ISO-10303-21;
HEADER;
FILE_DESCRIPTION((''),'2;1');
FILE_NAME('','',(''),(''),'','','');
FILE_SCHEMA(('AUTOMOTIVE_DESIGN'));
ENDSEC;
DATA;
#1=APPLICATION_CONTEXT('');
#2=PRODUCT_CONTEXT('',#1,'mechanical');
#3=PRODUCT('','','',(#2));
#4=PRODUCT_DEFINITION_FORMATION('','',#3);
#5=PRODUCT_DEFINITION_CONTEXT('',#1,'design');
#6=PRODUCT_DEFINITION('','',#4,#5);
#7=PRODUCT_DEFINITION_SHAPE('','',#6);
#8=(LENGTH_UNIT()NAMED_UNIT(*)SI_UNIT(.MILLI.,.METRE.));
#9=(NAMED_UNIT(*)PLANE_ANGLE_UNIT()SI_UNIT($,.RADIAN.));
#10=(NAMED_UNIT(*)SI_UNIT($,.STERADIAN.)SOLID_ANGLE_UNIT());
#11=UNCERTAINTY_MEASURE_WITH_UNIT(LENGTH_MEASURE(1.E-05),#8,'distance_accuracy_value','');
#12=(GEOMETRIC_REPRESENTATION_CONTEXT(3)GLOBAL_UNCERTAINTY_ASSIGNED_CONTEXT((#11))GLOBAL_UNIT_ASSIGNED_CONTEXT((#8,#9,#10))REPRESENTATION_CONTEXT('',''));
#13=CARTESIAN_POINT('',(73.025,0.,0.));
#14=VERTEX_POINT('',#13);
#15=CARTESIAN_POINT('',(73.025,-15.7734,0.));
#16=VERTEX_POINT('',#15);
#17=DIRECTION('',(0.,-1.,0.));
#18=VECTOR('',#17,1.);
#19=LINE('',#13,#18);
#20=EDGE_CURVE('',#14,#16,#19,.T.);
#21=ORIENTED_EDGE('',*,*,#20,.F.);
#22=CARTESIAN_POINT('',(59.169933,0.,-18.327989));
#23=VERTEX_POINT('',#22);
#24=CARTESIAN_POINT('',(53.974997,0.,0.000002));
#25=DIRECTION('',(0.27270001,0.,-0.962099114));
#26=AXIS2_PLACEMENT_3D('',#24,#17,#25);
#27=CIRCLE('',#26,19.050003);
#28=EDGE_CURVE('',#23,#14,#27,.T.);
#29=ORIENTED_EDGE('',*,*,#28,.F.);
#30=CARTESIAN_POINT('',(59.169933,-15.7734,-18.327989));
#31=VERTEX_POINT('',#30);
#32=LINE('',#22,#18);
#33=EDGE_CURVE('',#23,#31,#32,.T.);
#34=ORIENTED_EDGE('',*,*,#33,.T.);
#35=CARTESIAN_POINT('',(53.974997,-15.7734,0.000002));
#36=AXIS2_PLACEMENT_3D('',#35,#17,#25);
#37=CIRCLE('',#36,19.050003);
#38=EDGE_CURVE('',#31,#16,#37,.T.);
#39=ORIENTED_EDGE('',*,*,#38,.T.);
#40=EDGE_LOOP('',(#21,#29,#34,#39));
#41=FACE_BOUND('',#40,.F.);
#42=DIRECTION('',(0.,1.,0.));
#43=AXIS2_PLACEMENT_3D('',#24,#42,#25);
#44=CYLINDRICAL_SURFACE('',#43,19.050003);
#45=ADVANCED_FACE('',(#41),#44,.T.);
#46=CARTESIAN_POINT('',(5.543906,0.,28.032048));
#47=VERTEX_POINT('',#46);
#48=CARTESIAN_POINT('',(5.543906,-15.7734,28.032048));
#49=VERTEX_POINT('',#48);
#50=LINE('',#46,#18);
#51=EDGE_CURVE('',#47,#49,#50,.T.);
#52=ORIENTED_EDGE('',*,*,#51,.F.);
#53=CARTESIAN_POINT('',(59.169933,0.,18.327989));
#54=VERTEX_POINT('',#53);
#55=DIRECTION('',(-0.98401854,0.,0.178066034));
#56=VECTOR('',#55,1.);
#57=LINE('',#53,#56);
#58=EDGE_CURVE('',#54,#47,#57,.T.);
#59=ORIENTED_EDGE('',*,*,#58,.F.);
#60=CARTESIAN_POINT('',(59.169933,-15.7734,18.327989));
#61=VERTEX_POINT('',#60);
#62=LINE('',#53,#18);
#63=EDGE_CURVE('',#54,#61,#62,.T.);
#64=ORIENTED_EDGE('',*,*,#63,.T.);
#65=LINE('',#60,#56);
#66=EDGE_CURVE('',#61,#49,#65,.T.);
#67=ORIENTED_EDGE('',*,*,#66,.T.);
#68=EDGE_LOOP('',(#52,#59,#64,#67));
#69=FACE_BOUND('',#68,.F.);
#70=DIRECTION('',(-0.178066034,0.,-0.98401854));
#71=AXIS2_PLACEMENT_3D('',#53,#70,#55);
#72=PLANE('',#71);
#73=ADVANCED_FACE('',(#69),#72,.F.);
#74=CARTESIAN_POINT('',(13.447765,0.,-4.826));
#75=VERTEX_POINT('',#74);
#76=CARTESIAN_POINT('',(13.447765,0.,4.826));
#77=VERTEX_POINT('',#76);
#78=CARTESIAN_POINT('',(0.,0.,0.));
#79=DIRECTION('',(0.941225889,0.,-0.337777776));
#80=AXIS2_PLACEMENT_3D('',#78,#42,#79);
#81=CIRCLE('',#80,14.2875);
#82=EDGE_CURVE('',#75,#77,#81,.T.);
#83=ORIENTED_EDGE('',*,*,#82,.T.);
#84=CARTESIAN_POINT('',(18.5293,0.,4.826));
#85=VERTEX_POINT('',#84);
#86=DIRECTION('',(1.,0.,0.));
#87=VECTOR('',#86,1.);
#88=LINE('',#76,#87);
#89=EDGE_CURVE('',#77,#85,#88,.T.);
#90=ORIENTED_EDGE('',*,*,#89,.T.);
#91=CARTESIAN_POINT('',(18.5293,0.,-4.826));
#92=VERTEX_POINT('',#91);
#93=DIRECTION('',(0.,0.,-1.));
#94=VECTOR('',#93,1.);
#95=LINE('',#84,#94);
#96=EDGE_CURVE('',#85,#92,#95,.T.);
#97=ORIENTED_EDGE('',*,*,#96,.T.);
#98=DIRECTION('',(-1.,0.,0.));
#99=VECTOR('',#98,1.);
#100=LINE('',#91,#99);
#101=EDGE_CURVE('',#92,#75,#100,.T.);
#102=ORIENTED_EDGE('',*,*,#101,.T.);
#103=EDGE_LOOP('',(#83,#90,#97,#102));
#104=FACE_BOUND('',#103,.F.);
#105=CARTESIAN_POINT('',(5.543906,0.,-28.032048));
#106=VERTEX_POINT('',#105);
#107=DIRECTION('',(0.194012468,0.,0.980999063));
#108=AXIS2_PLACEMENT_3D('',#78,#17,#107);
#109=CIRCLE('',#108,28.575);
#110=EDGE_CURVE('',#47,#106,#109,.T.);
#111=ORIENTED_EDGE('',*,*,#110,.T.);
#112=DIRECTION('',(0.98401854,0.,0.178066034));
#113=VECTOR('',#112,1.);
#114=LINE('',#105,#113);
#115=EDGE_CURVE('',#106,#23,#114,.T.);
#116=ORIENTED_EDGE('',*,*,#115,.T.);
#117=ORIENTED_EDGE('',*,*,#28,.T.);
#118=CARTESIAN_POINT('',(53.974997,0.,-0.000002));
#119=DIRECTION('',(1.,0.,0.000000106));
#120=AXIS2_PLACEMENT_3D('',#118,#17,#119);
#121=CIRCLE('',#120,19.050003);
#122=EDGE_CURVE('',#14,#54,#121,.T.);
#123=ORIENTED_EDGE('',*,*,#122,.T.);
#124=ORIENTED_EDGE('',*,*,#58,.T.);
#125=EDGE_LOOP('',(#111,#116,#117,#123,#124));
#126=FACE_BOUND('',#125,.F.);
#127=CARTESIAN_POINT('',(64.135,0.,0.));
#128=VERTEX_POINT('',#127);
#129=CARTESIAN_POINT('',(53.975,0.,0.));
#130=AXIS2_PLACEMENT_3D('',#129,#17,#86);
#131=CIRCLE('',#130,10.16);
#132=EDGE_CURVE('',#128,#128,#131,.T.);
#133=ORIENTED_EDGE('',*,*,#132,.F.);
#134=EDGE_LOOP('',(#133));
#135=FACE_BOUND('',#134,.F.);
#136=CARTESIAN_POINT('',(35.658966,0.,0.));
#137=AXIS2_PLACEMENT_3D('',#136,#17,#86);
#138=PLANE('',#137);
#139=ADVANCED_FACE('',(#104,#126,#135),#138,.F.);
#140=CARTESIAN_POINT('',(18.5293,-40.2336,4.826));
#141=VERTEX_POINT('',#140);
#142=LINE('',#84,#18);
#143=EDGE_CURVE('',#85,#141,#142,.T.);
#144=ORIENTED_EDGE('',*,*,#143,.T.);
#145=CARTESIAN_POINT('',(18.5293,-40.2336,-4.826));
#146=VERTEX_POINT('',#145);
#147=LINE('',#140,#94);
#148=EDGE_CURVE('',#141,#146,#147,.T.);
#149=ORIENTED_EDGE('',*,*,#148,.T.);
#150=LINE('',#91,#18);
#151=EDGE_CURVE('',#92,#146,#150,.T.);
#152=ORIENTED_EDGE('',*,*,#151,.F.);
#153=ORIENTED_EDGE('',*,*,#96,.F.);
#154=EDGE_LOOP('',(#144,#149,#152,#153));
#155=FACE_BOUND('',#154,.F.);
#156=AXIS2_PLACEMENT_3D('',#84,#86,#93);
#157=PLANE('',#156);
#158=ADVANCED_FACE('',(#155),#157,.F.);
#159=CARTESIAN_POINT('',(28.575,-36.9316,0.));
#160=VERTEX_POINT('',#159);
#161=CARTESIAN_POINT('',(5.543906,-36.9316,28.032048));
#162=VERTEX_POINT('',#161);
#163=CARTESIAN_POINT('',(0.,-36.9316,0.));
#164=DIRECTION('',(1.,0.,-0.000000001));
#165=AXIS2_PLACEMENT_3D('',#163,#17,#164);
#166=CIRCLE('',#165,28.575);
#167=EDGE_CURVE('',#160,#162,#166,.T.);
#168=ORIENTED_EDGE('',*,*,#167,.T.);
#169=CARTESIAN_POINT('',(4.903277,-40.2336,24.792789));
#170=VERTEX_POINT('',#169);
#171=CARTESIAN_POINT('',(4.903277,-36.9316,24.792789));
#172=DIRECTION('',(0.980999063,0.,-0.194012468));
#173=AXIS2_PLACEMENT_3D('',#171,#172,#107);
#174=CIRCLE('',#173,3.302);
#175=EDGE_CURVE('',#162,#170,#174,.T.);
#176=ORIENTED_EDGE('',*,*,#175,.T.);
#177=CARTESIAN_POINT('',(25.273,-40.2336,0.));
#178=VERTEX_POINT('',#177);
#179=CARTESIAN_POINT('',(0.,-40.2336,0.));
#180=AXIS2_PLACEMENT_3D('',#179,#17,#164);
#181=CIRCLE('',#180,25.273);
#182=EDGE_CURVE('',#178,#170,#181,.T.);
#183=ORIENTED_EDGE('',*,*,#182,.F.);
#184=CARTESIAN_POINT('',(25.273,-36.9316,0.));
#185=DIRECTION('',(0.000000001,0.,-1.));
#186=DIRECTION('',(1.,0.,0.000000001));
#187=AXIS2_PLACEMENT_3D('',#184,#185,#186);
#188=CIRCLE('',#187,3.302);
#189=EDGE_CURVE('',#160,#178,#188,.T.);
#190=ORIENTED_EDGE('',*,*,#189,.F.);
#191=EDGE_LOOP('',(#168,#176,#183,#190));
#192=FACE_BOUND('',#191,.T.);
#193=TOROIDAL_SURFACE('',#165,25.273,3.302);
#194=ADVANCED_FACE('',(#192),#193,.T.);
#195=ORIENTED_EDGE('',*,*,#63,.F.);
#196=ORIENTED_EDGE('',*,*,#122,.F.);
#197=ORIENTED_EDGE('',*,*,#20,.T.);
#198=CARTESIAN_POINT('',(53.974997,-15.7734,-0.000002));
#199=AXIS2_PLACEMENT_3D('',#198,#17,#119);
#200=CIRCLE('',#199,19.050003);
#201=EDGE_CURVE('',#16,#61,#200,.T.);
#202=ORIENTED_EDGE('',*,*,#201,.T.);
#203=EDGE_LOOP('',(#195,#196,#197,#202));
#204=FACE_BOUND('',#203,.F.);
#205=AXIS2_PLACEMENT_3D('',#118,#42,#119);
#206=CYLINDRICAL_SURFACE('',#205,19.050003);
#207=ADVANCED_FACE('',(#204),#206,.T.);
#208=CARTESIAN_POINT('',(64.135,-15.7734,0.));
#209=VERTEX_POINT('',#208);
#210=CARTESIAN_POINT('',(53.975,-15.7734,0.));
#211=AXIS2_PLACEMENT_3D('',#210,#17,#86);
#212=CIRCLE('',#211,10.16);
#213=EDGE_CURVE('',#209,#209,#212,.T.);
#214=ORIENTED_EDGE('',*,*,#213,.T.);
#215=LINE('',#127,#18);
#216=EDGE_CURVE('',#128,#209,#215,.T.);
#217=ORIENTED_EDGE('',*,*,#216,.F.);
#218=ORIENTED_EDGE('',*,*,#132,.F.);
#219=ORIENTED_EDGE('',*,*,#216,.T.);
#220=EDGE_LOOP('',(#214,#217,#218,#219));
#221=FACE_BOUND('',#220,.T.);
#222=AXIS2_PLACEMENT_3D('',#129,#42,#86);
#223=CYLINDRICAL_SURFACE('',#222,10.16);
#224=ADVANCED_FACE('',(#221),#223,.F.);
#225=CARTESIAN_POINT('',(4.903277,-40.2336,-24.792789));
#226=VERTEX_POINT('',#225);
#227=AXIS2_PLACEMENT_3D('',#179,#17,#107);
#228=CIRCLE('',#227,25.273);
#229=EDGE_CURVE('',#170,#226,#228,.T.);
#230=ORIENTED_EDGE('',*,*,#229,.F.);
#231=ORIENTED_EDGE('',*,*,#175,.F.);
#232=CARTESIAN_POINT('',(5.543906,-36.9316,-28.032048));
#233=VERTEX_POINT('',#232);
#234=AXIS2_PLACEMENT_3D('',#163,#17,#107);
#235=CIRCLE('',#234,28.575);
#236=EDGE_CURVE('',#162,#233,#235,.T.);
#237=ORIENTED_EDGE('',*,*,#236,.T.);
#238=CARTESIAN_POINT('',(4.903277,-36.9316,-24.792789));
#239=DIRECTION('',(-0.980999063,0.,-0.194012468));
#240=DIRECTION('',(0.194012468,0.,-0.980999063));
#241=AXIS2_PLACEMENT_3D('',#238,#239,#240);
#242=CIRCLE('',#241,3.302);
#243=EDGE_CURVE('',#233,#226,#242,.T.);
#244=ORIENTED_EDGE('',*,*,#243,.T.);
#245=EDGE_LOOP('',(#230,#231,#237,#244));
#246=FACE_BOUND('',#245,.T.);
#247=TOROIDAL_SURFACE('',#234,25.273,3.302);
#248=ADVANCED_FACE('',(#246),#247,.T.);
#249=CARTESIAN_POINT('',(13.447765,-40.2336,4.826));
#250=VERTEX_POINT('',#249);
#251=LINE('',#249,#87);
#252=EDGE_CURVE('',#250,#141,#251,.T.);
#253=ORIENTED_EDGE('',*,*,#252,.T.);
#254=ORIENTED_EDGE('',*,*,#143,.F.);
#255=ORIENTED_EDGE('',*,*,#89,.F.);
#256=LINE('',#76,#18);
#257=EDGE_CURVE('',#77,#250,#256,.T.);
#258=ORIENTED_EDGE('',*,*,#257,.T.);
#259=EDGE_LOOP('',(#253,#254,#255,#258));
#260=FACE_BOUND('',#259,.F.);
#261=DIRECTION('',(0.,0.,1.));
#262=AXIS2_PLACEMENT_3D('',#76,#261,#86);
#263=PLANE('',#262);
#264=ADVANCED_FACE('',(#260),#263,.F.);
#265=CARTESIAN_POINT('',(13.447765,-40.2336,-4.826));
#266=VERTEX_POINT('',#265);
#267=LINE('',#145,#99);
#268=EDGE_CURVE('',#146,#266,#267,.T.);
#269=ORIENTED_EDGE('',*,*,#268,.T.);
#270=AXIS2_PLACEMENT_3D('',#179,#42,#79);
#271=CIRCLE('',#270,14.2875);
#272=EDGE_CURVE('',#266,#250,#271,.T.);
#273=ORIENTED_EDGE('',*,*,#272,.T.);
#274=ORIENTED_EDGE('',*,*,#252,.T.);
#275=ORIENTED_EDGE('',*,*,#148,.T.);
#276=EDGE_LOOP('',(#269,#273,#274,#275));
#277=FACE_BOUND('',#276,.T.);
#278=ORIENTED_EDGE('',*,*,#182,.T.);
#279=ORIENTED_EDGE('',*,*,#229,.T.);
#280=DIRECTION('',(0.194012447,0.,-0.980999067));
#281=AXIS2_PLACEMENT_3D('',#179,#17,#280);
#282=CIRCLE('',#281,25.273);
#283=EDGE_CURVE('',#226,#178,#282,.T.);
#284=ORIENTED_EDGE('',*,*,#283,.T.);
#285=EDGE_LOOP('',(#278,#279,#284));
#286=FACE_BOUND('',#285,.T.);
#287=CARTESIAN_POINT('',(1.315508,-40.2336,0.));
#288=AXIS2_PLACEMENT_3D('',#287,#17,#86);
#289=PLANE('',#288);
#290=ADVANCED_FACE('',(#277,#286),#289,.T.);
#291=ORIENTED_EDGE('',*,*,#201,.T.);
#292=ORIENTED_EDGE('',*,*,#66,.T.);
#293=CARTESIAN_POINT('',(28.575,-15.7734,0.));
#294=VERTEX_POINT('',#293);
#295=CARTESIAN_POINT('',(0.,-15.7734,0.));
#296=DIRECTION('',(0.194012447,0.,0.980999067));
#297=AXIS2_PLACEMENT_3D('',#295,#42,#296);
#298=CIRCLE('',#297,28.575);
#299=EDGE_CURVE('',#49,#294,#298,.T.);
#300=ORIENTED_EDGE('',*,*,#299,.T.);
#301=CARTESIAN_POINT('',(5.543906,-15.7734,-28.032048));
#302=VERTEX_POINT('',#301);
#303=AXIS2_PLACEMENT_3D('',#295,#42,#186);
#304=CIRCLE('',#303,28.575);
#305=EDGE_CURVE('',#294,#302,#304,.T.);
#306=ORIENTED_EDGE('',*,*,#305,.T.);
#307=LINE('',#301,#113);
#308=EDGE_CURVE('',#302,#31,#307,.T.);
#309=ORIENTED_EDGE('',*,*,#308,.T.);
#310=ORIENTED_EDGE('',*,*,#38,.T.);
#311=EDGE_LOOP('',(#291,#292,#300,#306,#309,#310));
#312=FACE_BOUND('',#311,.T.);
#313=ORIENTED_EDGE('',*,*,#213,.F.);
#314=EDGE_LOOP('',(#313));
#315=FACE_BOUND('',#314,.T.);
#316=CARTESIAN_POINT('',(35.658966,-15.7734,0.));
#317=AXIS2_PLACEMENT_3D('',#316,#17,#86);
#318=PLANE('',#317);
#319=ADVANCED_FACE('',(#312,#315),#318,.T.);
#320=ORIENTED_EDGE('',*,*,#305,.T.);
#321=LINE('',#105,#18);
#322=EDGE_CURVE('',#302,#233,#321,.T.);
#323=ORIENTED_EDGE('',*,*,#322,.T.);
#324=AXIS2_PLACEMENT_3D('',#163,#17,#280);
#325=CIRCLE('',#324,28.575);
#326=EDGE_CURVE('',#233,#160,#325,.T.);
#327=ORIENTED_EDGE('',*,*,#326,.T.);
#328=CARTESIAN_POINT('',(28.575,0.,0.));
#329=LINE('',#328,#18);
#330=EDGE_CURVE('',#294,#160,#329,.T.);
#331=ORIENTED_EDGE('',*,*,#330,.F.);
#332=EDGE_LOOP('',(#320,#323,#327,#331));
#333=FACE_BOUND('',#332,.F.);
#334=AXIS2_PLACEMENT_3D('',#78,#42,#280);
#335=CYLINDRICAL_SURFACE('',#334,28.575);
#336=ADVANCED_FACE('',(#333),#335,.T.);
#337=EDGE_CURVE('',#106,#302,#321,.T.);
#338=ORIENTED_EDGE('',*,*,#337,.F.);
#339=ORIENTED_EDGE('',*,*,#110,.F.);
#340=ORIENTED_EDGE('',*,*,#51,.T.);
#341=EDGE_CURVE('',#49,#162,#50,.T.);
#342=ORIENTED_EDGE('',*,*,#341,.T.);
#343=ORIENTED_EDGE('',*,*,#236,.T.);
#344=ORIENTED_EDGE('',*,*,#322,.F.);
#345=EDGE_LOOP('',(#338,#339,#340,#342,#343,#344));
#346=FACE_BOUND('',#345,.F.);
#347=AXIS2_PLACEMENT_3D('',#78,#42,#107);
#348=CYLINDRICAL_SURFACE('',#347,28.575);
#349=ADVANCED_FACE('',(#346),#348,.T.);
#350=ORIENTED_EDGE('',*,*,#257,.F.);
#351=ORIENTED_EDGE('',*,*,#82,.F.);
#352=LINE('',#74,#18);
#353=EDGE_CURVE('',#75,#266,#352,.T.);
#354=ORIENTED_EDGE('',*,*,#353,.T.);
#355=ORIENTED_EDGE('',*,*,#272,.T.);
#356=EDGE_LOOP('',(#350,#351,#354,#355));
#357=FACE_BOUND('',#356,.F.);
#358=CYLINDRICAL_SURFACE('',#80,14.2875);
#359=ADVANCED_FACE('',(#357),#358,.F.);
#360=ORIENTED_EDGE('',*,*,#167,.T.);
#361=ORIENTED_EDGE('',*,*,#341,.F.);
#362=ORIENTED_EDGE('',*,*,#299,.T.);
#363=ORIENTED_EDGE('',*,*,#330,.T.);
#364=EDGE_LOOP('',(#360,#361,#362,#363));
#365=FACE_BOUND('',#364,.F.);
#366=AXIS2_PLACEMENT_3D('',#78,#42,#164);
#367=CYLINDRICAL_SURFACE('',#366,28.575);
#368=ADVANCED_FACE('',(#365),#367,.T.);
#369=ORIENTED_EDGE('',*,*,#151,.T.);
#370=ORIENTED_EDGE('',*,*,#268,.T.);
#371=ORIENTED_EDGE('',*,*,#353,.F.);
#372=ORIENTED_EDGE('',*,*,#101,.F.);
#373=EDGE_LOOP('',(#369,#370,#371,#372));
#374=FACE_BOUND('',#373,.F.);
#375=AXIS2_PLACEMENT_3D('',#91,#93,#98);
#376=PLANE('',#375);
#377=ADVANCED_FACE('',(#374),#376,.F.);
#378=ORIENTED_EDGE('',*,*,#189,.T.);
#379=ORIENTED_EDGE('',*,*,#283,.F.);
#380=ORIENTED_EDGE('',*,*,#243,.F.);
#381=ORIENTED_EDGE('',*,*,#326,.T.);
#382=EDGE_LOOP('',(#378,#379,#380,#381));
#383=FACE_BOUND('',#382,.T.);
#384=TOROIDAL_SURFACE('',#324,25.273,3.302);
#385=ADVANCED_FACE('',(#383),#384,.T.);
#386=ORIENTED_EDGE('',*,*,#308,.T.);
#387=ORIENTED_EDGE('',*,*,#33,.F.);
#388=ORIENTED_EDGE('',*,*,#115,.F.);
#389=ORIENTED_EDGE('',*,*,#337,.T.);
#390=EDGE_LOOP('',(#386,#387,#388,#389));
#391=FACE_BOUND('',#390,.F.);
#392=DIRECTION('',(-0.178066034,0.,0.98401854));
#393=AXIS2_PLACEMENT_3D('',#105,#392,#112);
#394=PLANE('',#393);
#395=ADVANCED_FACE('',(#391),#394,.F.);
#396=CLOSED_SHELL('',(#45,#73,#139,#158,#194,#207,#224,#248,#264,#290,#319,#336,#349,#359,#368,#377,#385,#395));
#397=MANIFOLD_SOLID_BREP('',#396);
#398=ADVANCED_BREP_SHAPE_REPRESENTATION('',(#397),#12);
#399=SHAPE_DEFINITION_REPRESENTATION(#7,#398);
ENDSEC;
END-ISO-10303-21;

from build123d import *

# Parameters (mm, degrees)
F1_DEPTH = 40.2336
F0_R     = 10.16
F2_DEPTH = 15.7734
F3_R     = 3.302


with BuildPart() as f1:
    # F0 (on Front) → F1 (new body)
    with BuildSketch(Plane.XZ):
        with BuildLine():
            ThreePointArc((5.543906, -28.032048), (22.07881, -18.139922), (28.575, 0))
            ThreePointArc((28.575, 0), (22.07881, 18.139922), (5.543906, 28.032048))
            ThreePointArc((5.543906, 28.032048), (-28.575, 0), (5.543906, -28.032048))
        make_face()
        with BuildLine():
            ThreePointArc((13.447765, -4.826), (-14.2875, 0), (13.447765, 4.826))
            Line((13.447765, 4.826), (18.5293, 4.826))
            Line((18.5293, 4.826), (18.5293, -4.826))
            Line((18.5293, -4.826), (13.447765, -4.826))
        make_face(mode=Mode.SUBTRACT)
    extrude(amount=F1_DEPTH)

    # F0 (on Front) → F2 (join)
    with BuildSketch(Plane.XZ):
        with BuildLine():
            ThreePointArc((5.543906, 28.032048), (22.07881, 18.139922), (28.575, 0))
            ThreePointArc((28.575, 0), (22.07881, -18.139922), (5.543906, -28.032048))
            Line((5.543906, -28.032048), (59.169933, -18.327989))
            ThreePointArc((59.169933, -18.327989), (69.171479, -11.487798), (73.025, 0))
            ThreePointArc((73.025, 0), (69.171479, 11.487798), (59.169933, 18.327989))
            Line((59.169933, 18.327989), (5.543906, 28.032048))
        make_face()
        with Locations((53.975, 0)):
            Circle(F0_R, mode=Mode.SUBTRACT)
    extrude(amount=F2_DEPTH)

    # F3
    f3_edges = [f1.edges().sort_by_distance(p)[0] for p in [
        (-5.543906, -40.2336, 28.032048),
    ]]
    fillet(f3_edges, radius=F3_R)


solid = f1.part
